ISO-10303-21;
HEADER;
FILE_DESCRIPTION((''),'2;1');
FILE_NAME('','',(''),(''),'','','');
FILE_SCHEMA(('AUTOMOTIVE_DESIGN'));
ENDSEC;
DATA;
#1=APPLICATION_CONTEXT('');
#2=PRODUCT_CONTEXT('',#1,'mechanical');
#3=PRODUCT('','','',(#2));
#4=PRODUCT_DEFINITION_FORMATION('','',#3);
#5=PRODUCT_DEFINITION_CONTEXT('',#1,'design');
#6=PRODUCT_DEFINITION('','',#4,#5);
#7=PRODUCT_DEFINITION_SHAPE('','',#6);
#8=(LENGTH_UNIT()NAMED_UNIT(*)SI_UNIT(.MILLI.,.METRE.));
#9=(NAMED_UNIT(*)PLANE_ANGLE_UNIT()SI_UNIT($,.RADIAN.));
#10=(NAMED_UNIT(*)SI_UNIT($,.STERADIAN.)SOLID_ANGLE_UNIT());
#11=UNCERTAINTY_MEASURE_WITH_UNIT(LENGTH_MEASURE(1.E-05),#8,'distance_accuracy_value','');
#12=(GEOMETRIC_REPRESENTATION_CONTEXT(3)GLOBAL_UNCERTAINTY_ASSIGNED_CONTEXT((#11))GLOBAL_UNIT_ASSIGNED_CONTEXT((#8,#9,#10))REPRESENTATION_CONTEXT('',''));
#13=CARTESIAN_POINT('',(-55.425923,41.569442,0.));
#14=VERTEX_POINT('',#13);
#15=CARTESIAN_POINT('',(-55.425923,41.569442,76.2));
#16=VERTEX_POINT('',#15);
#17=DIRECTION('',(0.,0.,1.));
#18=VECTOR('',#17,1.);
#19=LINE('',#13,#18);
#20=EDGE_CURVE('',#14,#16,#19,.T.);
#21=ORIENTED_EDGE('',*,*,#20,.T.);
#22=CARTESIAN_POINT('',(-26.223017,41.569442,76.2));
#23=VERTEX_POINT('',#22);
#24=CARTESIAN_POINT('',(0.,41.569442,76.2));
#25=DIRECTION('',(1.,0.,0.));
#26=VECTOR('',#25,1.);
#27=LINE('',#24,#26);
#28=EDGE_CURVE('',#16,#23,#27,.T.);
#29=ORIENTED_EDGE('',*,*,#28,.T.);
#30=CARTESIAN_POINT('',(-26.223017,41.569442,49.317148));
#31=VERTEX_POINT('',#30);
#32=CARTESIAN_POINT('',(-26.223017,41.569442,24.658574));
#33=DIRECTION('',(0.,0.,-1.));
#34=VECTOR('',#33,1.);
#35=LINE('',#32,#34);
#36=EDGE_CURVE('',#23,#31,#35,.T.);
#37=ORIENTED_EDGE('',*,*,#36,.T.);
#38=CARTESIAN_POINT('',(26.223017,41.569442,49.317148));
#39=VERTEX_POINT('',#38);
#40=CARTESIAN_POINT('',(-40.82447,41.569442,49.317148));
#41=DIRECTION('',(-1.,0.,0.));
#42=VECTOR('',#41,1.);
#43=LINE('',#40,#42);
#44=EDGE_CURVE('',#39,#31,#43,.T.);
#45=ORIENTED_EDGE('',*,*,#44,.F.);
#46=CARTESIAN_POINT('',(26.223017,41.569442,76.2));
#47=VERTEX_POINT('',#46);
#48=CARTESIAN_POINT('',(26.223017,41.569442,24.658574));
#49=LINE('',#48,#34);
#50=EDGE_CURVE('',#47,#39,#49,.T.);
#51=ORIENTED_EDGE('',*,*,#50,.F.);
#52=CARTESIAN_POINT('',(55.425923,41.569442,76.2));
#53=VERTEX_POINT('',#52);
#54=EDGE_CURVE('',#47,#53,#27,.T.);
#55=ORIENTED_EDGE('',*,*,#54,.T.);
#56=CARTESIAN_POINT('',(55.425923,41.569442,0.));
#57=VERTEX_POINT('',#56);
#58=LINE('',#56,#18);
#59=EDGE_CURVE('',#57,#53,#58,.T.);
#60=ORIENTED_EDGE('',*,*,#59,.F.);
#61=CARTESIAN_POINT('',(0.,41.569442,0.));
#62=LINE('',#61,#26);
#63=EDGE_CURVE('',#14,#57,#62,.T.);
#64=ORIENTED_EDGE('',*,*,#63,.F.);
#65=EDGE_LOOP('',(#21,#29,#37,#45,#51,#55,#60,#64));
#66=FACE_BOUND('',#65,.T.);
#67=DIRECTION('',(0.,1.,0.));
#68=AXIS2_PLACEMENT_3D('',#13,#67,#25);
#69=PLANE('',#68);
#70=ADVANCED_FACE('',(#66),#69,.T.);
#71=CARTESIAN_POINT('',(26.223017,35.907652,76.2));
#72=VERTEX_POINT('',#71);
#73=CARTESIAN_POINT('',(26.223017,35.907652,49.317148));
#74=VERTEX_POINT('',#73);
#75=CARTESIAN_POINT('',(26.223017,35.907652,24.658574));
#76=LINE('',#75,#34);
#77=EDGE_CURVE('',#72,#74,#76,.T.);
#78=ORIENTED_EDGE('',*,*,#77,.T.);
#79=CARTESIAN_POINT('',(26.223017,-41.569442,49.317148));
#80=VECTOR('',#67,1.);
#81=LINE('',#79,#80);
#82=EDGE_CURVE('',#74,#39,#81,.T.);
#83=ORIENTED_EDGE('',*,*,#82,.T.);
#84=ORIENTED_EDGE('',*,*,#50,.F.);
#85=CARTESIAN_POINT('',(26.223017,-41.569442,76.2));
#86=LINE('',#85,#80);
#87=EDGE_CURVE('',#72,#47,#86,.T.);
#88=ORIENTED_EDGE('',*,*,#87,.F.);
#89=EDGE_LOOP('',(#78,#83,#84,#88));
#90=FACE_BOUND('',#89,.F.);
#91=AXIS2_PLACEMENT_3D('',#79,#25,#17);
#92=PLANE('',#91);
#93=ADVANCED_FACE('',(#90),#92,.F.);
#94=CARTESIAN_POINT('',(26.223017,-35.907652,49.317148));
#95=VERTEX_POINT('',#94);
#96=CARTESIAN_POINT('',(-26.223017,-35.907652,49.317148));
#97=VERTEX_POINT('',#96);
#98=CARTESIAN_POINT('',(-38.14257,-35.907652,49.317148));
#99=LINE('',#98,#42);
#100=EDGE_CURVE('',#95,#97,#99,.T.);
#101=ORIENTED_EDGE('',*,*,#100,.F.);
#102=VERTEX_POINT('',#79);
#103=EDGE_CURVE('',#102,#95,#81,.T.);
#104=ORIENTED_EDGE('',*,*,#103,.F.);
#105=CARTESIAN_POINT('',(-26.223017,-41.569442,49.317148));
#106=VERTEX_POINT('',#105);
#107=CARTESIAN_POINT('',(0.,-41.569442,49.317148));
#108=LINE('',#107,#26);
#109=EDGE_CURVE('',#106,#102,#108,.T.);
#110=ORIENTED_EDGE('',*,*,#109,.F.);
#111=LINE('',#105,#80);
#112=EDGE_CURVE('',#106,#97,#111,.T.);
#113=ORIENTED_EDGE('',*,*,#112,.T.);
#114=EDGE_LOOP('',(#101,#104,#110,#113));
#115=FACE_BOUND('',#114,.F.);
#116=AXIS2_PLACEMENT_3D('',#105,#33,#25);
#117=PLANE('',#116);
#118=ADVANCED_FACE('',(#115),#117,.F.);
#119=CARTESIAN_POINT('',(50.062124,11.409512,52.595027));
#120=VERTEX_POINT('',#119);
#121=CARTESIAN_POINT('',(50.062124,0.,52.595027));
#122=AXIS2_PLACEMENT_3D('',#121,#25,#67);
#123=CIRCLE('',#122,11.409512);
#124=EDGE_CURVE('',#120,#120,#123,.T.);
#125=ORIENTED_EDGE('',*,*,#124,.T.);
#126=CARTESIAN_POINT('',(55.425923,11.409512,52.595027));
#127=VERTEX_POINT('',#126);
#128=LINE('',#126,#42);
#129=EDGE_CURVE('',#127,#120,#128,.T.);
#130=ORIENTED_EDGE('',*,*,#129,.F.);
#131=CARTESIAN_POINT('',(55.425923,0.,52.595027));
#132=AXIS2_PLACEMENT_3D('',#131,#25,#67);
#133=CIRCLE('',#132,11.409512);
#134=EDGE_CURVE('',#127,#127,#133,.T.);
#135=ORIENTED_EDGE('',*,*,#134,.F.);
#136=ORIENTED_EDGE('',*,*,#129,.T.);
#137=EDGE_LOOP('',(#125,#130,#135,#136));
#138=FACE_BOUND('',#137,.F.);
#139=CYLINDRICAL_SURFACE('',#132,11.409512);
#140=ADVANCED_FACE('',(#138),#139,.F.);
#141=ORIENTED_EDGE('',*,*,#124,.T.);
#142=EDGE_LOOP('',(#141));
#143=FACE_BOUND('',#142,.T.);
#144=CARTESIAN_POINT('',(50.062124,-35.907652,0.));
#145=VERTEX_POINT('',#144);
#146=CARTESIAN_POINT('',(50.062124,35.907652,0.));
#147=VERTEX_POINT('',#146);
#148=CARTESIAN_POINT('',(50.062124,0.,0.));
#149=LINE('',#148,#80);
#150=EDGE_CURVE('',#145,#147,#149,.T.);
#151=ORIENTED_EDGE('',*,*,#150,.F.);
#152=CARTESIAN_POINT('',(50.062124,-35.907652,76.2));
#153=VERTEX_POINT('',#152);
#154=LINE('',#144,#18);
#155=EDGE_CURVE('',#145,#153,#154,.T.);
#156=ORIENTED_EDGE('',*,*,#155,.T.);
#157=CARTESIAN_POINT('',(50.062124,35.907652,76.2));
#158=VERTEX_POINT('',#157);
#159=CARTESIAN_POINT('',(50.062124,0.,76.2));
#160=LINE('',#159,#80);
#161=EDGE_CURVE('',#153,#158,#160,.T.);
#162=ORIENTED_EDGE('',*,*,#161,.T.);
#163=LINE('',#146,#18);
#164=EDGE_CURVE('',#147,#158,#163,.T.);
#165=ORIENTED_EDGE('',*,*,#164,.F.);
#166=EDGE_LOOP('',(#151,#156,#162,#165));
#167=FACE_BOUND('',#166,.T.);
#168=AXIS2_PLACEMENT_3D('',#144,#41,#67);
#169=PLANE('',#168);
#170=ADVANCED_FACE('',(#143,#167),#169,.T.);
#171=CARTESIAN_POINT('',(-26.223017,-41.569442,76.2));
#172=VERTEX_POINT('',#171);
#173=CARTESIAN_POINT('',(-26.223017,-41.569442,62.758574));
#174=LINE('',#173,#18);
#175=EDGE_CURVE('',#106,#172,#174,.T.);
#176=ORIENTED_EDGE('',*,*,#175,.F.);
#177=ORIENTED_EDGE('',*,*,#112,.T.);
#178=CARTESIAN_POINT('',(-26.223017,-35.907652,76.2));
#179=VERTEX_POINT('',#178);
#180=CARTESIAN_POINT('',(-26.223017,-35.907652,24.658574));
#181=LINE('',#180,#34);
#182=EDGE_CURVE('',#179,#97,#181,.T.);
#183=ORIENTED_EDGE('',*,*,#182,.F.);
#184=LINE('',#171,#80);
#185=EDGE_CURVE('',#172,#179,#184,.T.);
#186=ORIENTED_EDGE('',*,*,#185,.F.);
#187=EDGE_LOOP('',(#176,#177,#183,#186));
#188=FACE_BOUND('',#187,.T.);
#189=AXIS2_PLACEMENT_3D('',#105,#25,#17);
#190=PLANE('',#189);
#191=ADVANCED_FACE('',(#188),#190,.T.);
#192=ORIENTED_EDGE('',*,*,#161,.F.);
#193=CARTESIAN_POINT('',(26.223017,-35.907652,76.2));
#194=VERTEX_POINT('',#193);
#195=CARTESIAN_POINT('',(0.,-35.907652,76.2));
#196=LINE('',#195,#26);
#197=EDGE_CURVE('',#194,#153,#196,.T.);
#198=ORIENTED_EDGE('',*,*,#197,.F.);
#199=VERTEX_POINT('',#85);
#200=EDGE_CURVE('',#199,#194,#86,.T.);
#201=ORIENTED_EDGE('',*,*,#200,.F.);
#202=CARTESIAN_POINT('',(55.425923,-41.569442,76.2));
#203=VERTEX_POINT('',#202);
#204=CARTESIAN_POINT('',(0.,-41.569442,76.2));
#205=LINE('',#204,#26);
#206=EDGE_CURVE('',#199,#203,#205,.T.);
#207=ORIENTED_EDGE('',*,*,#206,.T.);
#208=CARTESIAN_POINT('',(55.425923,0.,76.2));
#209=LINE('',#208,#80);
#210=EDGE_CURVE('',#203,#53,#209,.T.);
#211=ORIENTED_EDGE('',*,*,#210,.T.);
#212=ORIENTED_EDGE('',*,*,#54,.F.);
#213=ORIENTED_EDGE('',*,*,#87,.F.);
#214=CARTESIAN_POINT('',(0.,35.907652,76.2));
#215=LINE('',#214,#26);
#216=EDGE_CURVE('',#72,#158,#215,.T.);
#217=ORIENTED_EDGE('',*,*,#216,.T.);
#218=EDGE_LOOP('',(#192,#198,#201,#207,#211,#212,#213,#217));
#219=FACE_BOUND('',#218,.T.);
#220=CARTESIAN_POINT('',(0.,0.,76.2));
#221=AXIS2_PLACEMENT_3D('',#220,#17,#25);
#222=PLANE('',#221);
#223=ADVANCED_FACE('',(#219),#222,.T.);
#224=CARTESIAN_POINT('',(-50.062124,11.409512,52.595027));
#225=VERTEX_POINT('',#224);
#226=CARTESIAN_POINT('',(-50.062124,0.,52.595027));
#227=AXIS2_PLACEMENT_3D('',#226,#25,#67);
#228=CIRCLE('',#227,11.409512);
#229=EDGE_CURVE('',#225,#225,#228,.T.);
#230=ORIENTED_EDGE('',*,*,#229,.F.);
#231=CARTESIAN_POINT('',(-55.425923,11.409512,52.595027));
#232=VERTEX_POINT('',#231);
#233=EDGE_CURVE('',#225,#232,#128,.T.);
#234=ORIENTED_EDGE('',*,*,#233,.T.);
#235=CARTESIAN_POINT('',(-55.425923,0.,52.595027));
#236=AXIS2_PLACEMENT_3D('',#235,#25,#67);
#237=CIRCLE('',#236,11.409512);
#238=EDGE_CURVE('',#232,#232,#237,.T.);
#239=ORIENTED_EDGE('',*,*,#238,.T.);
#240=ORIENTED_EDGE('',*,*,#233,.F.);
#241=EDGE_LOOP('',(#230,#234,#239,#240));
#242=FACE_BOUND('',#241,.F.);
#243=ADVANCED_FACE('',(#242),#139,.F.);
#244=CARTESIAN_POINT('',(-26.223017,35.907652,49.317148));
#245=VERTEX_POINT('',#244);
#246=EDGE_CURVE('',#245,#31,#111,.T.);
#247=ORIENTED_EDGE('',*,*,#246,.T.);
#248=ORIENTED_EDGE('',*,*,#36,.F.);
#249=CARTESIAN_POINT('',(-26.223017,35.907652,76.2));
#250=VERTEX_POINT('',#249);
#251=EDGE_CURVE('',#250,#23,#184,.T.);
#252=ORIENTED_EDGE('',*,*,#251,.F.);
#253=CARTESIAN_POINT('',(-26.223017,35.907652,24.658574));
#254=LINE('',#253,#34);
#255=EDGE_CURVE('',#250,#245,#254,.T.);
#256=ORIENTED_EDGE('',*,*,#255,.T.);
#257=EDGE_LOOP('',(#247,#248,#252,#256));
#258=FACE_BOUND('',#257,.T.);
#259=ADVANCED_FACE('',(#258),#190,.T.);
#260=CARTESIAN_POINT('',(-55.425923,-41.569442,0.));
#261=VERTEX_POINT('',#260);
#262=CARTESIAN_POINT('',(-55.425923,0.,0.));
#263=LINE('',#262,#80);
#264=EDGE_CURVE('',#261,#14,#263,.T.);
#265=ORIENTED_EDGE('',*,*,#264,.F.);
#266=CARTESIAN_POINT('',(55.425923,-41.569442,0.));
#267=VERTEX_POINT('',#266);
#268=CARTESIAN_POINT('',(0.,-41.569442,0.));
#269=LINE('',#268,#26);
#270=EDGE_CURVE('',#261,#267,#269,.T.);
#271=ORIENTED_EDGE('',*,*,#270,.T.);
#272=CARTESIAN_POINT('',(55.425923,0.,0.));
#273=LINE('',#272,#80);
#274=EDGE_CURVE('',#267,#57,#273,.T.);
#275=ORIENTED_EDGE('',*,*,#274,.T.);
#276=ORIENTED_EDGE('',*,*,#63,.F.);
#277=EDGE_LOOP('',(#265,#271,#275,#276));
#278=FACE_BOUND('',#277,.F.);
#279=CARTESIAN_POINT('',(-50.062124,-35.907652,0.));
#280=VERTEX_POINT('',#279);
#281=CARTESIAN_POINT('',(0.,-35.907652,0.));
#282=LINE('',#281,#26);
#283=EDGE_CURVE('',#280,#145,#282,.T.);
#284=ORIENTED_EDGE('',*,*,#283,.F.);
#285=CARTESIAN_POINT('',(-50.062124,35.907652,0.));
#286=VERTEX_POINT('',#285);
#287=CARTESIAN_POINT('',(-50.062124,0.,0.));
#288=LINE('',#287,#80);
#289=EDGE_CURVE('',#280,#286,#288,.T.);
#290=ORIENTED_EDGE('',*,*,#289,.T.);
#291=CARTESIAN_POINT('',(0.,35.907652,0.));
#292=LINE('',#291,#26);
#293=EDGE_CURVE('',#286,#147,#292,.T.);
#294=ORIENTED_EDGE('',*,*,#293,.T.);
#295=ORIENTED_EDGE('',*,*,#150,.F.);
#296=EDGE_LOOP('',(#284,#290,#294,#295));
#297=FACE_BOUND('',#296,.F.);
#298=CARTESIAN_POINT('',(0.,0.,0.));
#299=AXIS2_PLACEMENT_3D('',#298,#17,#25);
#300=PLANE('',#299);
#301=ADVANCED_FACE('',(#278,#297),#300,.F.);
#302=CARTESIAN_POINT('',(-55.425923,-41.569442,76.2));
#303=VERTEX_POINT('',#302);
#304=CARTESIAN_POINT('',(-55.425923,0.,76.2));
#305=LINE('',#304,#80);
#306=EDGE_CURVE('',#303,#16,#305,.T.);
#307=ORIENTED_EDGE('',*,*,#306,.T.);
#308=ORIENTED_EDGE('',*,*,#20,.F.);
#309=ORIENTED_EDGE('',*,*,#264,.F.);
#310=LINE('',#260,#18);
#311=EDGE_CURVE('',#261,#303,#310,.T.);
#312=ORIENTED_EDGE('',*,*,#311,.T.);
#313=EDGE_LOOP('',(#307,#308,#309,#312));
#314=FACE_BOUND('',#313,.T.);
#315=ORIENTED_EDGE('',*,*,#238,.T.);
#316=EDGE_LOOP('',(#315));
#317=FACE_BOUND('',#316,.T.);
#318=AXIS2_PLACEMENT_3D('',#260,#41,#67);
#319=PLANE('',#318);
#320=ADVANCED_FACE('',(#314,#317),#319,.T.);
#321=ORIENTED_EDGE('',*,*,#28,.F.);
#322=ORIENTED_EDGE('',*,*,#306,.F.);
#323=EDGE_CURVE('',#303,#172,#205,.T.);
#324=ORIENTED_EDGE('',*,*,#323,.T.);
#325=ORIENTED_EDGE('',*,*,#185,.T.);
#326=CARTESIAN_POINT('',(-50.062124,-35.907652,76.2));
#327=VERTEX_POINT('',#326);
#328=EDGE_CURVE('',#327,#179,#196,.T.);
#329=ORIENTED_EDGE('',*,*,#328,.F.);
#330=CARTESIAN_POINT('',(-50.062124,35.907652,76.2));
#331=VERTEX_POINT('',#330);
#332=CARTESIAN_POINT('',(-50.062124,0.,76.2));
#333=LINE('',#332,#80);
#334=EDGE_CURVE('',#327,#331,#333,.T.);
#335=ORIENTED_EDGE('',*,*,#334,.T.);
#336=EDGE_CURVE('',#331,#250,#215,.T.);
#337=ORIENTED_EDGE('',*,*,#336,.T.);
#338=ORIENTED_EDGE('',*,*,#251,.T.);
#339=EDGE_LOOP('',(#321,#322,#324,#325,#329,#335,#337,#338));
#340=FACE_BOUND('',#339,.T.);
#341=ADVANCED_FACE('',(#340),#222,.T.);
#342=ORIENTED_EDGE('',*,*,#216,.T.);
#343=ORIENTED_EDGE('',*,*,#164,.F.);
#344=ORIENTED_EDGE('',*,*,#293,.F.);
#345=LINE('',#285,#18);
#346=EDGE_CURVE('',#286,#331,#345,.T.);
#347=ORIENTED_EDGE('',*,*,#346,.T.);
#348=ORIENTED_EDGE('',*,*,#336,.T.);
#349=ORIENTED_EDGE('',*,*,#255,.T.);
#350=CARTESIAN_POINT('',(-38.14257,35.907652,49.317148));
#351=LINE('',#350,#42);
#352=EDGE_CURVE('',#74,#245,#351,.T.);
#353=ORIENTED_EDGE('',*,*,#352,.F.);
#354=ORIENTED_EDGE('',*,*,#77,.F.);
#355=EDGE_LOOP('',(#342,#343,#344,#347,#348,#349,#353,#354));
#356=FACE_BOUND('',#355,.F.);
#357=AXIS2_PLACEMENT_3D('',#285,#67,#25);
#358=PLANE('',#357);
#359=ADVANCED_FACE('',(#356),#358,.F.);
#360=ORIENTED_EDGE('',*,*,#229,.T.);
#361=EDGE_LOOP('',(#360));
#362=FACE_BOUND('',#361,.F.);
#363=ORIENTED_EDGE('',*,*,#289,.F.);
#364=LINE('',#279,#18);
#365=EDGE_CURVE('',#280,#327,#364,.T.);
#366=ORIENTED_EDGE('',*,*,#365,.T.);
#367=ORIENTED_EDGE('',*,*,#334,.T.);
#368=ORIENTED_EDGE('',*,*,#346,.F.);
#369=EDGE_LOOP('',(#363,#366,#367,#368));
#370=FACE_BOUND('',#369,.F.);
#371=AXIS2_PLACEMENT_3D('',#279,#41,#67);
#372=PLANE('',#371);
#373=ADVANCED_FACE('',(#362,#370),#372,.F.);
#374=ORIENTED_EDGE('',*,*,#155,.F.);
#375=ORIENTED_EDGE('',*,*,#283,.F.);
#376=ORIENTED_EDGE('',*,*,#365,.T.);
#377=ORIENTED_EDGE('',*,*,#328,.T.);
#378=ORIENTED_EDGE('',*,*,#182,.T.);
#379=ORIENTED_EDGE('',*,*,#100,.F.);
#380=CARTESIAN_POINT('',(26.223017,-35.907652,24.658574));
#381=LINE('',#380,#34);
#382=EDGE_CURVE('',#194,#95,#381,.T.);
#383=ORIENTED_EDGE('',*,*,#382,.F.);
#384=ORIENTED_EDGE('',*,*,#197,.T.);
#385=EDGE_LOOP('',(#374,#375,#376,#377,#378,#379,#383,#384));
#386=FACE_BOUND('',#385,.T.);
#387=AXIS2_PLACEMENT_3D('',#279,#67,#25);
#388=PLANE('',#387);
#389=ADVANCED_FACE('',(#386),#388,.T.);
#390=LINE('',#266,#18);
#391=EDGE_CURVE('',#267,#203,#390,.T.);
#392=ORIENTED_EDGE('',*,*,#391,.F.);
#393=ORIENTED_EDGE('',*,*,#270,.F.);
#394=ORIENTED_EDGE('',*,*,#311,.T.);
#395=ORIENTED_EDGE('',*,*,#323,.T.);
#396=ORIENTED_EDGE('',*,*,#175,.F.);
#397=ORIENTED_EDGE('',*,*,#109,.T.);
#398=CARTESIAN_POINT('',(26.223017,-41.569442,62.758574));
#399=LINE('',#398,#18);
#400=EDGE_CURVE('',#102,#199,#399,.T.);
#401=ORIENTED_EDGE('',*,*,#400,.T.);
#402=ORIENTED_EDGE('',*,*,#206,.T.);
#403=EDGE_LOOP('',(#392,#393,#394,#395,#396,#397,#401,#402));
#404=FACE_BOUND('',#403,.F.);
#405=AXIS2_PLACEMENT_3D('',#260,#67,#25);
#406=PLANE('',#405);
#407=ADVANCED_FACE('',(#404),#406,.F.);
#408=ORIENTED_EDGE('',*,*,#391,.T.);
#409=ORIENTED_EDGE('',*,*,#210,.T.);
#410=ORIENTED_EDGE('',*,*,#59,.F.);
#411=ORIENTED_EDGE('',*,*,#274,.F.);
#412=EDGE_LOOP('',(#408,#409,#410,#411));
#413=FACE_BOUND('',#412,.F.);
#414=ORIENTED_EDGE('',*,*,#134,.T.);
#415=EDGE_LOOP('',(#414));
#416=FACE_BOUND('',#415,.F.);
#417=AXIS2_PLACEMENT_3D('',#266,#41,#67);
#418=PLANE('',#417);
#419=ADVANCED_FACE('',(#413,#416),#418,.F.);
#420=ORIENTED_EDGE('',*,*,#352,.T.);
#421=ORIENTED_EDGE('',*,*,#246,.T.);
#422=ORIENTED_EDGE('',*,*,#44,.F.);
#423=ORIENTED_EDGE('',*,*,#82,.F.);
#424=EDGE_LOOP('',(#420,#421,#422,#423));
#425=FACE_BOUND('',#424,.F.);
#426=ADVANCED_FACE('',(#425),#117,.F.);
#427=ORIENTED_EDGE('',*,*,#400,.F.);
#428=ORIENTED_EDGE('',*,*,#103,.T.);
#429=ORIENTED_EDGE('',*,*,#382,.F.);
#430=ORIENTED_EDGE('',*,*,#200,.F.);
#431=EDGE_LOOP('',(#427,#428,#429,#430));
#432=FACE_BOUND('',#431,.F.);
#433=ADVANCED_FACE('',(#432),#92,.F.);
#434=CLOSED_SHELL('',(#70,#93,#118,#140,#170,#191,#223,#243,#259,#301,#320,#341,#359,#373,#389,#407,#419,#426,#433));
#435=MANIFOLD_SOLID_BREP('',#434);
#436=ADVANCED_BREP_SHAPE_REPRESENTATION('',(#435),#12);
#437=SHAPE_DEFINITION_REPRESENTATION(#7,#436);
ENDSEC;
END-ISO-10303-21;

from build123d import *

# Parameters (mm, degrees)
F0_W     = 110.851846
F0_H     = 83.138884
F0_W_2   = 100.124248
F0_H_2   = 71.815304
F1_DEPTH = 76.2
F2_W     = 52.446034
F2_H     = 26.882852
F3_DEPTH = 103.124
F4_R     = 11.409512
F5_DEPTH = 113.538


with BuildPart() as f1:
    # F0 (on Top) → F1 (new body)
    with BuildSketch(Plane.XY):
        Rectangle(F0_W, F0_H)
        Rectangle(F0_W_2, F0_H_2, mode=Mode.SUBTRACT)
    extrude(amount=F1_DEPTH)

    # F2 (on face) → F3 (cut)
    with BuildSketch(Plane.XZ.offset(41.569442)):
        with Locations((0, 62.758574)):
            Rectangle(F2_W, F2_H)
    extrude(amount=-F3_DEPTH, mode=Mode.SUBTRACT)

    # F4 (on face) → F5 (cut)
    with BuildSketch(Plane.YZ.offset(55.425923)):
        with Locations((0, 52.595027)):
            Circle(F4_R)
    extrude(amount=-F5_DEPTH, mode=Mode.SUBTRACT)


solid = f1.part
